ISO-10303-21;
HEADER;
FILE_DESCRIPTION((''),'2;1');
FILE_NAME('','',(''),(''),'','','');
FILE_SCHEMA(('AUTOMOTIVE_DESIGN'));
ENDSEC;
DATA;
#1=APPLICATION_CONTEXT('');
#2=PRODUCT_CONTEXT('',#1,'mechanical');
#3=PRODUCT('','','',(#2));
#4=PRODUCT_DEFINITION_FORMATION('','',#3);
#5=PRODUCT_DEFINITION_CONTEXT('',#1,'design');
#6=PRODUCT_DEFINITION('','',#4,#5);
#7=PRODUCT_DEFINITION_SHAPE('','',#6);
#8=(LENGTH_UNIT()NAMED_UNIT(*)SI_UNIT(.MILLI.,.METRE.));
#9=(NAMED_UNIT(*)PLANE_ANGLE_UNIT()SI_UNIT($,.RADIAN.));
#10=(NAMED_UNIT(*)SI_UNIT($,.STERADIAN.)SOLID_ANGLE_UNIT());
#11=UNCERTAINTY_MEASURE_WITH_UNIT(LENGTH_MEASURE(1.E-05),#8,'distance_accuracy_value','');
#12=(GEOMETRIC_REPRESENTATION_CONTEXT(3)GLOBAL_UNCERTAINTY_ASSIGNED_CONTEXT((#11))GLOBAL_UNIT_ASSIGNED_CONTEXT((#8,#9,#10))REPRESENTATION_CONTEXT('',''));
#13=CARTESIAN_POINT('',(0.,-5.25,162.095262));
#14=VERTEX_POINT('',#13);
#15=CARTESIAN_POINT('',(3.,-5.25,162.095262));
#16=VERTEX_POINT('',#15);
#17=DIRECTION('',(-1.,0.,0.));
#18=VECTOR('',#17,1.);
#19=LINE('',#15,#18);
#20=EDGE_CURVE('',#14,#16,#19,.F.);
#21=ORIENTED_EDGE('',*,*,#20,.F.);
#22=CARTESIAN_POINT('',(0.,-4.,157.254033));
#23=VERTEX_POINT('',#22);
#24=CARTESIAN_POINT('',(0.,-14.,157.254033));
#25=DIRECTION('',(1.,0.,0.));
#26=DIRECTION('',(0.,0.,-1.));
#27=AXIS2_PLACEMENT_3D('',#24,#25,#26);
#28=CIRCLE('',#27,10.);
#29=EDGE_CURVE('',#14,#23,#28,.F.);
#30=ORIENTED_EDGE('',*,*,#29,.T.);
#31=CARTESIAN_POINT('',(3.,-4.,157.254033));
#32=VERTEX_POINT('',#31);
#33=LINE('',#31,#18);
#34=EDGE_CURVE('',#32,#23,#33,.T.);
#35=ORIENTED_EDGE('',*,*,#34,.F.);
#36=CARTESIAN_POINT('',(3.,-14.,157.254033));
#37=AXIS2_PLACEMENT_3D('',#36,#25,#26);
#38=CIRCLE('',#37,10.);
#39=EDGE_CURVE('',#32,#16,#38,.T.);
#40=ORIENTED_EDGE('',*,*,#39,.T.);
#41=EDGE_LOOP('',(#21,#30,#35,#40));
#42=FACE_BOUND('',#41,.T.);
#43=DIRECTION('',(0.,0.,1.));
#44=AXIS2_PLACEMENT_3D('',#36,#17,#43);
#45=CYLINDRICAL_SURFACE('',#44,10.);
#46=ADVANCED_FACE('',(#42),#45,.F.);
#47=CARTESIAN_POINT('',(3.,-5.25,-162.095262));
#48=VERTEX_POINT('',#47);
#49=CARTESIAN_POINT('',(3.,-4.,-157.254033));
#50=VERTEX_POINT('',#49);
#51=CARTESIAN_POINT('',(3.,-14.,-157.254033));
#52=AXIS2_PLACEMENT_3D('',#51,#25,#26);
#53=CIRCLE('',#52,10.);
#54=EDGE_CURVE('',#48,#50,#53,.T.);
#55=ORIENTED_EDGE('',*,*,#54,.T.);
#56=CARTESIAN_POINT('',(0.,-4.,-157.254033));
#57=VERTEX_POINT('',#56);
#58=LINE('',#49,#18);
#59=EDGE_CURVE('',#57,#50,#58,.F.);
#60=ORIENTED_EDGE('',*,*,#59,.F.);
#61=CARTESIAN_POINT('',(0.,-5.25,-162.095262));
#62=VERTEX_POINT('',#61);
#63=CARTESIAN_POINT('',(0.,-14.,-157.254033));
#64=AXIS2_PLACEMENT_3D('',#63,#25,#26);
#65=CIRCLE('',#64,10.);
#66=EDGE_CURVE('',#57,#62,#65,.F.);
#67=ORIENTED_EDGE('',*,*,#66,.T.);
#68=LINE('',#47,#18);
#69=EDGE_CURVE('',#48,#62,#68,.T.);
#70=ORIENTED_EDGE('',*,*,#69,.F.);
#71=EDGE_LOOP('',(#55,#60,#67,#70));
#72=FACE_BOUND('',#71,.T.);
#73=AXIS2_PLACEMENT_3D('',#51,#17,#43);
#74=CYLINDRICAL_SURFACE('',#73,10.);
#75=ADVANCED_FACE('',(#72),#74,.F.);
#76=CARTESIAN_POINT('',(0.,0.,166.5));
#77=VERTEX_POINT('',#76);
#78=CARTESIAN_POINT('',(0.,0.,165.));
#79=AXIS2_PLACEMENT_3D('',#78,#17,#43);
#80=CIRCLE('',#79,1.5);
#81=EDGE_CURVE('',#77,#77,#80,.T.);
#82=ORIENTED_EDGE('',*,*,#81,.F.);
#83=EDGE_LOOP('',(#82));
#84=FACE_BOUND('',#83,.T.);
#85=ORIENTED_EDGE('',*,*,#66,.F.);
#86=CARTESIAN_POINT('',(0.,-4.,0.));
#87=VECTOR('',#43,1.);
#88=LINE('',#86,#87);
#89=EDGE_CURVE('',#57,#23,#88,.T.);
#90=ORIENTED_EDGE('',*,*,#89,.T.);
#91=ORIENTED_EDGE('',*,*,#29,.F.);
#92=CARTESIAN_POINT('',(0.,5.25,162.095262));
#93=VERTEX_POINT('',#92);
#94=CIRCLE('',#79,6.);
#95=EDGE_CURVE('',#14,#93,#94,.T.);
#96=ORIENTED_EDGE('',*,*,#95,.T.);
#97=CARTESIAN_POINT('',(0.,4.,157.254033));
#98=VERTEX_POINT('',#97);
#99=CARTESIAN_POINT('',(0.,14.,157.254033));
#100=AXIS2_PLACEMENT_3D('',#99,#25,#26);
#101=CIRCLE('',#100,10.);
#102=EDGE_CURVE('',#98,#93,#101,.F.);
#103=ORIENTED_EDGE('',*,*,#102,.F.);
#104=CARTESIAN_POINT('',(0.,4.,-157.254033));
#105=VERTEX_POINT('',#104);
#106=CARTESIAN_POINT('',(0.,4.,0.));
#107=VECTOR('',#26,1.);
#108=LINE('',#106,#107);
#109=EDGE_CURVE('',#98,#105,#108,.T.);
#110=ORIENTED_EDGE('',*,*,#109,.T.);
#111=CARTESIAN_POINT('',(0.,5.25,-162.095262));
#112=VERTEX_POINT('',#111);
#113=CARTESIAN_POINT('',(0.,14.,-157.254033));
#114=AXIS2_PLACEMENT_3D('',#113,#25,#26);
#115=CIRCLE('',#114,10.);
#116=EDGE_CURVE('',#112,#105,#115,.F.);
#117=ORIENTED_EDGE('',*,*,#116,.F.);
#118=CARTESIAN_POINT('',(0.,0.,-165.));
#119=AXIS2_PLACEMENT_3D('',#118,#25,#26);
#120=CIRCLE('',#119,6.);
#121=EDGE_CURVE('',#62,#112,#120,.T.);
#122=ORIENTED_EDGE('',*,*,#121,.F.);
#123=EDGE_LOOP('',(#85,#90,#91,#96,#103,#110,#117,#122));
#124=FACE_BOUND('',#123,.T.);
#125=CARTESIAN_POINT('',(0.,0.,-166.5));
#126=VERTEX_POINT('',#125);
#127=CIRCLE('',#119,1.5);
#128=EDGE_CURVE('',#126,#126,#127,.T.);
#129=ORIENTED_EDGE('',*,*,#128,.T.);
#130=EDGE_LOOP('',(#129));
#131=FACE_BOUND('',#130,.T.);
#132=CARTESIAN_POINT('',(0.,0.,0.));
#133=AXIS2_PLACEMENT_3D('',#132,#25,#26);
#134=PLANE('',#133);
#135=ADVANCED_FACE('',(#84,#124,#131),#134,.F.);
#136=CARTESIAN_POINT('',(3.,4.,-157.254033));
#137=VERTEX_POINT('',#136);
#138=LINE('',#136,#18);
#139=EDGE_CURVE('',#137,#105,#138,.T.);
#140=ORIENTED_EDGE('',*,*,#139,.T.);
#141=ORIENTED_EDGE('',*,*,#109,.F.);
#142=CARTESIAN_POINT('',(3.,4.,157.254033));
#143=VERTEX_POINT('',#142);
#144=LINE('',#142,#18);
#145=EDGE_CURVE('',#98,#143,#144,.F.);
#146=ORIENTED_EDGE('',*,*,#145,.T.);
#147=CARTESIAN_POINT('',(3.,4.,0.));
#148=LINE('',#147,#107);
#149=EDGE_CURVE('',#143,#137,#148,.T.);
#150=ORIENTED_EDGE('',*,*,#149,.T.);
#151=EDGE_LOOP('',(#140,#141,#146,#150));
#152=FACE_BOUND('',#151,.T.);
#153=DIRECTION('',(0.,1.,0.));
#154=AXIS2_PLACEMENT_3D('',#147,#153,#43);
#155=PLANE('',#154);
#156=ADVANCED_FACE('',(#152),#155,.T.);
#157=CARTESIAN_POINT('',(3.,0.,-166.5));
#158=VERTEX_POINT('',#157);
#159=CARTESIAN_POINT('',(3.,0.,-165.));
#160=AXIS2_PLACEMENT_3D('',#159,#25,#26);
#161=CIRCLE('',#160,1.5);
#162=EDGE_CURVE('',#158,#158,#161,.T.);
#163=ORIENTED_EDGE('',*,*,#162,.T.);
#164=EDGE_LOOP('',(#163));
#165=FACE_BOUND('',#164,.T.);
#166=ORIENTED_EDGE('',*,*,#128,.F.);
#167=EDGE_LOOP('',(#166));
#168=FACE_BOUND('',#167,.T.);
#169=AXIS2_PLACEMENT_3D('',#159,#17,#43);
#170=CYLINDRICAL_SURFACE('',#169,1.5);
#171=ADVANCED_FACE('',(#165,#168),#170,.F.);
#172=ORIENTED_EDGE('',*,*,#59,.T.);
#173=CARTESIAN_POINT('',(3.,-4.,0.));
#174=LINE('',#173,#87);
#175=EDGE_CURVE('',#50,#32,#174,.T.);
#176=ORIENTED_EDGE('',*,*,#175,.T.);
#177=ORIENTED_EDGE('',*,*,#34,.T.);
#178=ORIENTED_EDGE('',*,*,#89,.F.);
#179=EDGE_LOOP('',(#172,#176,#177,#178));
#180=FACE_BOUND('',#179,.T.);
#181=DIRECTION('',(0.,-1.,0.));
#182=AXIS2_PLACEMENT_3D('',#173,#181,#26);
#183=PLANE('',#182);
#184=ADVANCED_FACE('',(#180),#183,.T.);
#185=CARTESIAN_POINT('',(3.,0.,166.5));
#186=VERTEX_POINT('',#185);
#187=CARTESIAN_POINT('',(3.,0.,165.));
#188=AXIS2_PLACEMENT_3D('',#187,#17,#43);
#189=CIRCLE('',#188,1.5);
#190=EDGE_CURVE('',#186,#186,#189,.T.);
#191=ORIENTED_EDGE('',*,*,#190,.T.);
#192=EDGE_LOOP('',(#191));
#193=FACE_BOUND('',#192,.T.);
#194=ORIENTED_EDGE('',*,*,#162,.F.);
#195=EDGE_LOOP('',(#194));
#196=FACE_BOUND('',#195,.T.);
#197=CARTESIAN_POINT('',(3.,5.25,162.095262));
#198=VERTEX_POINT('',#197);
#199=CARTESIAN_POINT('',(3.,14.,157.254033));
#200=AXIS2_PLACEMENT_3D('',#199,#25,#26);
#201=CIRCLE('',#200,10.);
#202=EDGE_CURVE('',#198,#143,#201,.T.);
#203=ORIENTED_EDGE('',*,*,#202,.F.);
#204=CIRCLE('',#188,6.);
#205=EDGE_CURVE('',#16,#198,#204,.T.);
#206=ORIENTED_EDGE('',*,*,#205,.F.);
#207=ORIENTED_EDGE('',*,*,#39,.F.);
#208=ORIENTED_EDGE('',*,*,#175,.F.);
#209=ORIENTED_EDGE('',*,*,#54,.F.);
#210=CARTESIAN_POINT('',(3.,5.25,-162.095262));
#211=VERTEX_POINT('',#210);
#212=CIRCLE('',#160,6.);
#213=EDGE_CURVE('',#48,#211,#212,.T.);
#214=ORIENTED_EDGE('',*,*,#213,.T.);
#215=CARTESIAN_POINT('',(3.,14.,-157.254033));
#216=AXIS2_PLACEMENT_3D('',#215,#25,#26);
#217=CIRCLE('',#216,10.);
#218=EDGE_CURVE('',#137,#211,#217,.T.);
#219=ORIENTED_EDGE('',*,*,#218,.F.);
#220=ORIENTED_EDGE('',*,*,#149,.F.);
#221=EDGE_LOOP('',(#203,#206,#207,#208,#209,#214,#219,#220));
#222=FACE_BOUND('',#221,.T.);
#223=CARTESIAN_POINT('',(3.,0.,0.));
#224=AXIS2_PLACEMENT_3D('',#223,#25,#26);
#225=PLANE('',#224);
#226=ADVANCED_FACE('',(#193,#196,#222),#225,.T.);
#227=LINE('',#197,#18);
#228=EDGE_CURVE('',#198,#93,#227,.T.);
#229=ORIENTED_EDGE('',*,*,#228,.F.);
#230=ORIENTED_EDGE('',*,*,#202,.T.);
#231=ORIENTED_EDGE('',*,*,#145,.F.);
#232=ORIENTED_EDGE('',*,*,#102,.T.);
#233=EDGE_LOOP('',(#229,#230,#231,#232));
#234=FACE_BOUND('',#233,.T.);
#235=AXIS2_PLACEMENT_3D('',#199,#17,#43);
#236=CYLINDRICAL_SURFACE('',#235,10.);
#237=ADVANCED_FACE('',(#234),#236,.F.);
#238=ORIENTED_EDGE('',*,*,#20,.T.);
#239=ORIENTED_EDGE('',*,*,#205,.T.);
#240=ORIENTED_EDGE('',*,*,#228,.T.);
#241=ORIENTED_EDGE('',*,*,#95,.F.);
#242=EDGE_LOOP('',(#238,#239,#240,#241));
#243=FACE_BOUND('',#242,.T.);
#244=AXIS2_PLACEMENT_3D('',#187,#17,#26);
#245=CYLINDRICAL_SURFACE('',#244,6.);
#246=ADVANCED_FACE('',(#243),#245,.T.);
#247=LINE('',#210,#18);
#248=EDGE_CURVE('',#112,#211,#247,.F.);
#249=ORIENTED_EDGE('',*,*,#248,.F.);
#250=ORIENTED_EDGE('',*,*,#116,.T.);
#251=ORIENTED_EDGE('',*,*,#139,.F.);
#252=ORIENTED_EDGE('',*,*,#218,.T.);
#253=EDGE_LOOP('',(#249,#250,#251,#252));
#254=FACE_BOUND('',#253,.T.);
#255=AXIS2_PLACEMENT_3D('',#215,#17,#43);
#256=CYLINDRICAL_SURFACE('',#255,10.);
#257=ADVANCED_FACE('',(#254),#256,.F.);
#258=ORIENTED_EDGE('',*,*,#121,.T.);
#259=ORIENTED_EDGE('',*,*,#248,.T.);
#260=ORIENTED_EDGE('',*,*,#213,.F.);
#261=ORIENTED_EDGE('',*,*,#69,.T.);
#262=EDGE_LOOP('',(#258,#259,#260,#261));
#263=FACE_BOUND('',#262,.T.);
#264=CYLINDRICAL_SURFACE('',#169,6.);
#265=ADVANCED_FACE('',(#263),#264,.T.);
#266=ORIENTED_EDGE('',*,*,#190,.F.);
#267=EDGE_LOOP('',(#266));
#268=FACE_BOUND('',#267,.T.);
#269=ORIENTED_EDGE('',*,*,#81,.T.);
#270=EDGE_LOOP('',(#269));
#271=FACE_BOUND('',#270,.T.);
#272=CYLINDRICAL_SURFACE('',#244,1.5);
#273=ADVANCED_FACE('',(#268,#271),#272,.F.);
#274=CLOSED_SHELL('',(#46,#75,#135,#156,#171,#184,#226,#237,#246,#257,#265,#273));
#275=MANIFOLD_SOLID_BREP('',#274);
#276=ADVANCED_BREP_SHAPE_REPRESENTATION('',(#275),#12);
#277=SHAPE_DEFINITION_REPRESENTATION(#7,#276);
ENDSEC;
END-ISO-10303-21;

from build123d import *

# Parameters (mm, degrees)
SKETCH1_R           = 6
SKETCH1_R_2         = 1.5
SKETCH1_W           = 160.527864045
SKETCH1_H           = 8
BOSS_EXTRUDE1_DEPTH = 3
FILLET1_R           = 10
FILLET2_R           = 10
FILLET3_R           = 10
FILLET4_R           = 10


with BuildPart() as part:
    # Sketch1 → Boss-Extrude1 (new body)
    # profile 1 of 2: a face of its own
    with BuildSketch(Plane(origin=(0, 0, 0), x_dir=(0, 0, -1), z_dir=(1, 0, 0))):
        with Locations((165, 0)):
            Circle(SKETCH1_R)
        with Locations((165, 0)):
            Circle(SKETCH1_R_2, mode=Mode.SUBTRACT)
    # profile 2 of 2: a face of its own
    with BuildSketch(Plane(origin=(0, 0, 0), x_dir=(0, 0, -1), z_dir=(1, 0, 0))):
        with Locations((80.263932023, 0)):
            Rectangle(SKETCH1_W, SKETCH1_H)
    boss_extrude1 = extrude(amount=BOSS_EXTRUDE1_DEPTH)

    # Mirror1: Boss-Extrude1 across plane
    add(boss_extrude1.mirror(Plane.XY))

    # Fillet1
    fillet1_edges = [part.edges().sort_by_distance(p)[0] for p in [
        (1.5, 4, 160.527864045),
    ]]
    fillet(fillet1_edges, radius=FILLET1_R)

    # Fillet2
    fillet2_edges = [part.edges().sort_by_distance(p)[0] for p in [
        (1.5, -4, 160.527864045),
    ]]
    fillet(fillet2_edges, radius=FILLET2_R)

    # Fillet3
    fillet3_edges = [part.edges().sort_by_distance(p)[0] for p in [
        (1.5, -4, -160.527864045),
    ]]
    fillet(fillet3_edges, radius=FILLET3_R)

    # Fillet4
    fillet4_edges = [part.edges().sort_by_distance(p)[0] for p in [
        (1.5, 4, -160.527864045),
    ]]
    fillet(fillet4_edges, radius=FILLET4_R)


solid = part.part
